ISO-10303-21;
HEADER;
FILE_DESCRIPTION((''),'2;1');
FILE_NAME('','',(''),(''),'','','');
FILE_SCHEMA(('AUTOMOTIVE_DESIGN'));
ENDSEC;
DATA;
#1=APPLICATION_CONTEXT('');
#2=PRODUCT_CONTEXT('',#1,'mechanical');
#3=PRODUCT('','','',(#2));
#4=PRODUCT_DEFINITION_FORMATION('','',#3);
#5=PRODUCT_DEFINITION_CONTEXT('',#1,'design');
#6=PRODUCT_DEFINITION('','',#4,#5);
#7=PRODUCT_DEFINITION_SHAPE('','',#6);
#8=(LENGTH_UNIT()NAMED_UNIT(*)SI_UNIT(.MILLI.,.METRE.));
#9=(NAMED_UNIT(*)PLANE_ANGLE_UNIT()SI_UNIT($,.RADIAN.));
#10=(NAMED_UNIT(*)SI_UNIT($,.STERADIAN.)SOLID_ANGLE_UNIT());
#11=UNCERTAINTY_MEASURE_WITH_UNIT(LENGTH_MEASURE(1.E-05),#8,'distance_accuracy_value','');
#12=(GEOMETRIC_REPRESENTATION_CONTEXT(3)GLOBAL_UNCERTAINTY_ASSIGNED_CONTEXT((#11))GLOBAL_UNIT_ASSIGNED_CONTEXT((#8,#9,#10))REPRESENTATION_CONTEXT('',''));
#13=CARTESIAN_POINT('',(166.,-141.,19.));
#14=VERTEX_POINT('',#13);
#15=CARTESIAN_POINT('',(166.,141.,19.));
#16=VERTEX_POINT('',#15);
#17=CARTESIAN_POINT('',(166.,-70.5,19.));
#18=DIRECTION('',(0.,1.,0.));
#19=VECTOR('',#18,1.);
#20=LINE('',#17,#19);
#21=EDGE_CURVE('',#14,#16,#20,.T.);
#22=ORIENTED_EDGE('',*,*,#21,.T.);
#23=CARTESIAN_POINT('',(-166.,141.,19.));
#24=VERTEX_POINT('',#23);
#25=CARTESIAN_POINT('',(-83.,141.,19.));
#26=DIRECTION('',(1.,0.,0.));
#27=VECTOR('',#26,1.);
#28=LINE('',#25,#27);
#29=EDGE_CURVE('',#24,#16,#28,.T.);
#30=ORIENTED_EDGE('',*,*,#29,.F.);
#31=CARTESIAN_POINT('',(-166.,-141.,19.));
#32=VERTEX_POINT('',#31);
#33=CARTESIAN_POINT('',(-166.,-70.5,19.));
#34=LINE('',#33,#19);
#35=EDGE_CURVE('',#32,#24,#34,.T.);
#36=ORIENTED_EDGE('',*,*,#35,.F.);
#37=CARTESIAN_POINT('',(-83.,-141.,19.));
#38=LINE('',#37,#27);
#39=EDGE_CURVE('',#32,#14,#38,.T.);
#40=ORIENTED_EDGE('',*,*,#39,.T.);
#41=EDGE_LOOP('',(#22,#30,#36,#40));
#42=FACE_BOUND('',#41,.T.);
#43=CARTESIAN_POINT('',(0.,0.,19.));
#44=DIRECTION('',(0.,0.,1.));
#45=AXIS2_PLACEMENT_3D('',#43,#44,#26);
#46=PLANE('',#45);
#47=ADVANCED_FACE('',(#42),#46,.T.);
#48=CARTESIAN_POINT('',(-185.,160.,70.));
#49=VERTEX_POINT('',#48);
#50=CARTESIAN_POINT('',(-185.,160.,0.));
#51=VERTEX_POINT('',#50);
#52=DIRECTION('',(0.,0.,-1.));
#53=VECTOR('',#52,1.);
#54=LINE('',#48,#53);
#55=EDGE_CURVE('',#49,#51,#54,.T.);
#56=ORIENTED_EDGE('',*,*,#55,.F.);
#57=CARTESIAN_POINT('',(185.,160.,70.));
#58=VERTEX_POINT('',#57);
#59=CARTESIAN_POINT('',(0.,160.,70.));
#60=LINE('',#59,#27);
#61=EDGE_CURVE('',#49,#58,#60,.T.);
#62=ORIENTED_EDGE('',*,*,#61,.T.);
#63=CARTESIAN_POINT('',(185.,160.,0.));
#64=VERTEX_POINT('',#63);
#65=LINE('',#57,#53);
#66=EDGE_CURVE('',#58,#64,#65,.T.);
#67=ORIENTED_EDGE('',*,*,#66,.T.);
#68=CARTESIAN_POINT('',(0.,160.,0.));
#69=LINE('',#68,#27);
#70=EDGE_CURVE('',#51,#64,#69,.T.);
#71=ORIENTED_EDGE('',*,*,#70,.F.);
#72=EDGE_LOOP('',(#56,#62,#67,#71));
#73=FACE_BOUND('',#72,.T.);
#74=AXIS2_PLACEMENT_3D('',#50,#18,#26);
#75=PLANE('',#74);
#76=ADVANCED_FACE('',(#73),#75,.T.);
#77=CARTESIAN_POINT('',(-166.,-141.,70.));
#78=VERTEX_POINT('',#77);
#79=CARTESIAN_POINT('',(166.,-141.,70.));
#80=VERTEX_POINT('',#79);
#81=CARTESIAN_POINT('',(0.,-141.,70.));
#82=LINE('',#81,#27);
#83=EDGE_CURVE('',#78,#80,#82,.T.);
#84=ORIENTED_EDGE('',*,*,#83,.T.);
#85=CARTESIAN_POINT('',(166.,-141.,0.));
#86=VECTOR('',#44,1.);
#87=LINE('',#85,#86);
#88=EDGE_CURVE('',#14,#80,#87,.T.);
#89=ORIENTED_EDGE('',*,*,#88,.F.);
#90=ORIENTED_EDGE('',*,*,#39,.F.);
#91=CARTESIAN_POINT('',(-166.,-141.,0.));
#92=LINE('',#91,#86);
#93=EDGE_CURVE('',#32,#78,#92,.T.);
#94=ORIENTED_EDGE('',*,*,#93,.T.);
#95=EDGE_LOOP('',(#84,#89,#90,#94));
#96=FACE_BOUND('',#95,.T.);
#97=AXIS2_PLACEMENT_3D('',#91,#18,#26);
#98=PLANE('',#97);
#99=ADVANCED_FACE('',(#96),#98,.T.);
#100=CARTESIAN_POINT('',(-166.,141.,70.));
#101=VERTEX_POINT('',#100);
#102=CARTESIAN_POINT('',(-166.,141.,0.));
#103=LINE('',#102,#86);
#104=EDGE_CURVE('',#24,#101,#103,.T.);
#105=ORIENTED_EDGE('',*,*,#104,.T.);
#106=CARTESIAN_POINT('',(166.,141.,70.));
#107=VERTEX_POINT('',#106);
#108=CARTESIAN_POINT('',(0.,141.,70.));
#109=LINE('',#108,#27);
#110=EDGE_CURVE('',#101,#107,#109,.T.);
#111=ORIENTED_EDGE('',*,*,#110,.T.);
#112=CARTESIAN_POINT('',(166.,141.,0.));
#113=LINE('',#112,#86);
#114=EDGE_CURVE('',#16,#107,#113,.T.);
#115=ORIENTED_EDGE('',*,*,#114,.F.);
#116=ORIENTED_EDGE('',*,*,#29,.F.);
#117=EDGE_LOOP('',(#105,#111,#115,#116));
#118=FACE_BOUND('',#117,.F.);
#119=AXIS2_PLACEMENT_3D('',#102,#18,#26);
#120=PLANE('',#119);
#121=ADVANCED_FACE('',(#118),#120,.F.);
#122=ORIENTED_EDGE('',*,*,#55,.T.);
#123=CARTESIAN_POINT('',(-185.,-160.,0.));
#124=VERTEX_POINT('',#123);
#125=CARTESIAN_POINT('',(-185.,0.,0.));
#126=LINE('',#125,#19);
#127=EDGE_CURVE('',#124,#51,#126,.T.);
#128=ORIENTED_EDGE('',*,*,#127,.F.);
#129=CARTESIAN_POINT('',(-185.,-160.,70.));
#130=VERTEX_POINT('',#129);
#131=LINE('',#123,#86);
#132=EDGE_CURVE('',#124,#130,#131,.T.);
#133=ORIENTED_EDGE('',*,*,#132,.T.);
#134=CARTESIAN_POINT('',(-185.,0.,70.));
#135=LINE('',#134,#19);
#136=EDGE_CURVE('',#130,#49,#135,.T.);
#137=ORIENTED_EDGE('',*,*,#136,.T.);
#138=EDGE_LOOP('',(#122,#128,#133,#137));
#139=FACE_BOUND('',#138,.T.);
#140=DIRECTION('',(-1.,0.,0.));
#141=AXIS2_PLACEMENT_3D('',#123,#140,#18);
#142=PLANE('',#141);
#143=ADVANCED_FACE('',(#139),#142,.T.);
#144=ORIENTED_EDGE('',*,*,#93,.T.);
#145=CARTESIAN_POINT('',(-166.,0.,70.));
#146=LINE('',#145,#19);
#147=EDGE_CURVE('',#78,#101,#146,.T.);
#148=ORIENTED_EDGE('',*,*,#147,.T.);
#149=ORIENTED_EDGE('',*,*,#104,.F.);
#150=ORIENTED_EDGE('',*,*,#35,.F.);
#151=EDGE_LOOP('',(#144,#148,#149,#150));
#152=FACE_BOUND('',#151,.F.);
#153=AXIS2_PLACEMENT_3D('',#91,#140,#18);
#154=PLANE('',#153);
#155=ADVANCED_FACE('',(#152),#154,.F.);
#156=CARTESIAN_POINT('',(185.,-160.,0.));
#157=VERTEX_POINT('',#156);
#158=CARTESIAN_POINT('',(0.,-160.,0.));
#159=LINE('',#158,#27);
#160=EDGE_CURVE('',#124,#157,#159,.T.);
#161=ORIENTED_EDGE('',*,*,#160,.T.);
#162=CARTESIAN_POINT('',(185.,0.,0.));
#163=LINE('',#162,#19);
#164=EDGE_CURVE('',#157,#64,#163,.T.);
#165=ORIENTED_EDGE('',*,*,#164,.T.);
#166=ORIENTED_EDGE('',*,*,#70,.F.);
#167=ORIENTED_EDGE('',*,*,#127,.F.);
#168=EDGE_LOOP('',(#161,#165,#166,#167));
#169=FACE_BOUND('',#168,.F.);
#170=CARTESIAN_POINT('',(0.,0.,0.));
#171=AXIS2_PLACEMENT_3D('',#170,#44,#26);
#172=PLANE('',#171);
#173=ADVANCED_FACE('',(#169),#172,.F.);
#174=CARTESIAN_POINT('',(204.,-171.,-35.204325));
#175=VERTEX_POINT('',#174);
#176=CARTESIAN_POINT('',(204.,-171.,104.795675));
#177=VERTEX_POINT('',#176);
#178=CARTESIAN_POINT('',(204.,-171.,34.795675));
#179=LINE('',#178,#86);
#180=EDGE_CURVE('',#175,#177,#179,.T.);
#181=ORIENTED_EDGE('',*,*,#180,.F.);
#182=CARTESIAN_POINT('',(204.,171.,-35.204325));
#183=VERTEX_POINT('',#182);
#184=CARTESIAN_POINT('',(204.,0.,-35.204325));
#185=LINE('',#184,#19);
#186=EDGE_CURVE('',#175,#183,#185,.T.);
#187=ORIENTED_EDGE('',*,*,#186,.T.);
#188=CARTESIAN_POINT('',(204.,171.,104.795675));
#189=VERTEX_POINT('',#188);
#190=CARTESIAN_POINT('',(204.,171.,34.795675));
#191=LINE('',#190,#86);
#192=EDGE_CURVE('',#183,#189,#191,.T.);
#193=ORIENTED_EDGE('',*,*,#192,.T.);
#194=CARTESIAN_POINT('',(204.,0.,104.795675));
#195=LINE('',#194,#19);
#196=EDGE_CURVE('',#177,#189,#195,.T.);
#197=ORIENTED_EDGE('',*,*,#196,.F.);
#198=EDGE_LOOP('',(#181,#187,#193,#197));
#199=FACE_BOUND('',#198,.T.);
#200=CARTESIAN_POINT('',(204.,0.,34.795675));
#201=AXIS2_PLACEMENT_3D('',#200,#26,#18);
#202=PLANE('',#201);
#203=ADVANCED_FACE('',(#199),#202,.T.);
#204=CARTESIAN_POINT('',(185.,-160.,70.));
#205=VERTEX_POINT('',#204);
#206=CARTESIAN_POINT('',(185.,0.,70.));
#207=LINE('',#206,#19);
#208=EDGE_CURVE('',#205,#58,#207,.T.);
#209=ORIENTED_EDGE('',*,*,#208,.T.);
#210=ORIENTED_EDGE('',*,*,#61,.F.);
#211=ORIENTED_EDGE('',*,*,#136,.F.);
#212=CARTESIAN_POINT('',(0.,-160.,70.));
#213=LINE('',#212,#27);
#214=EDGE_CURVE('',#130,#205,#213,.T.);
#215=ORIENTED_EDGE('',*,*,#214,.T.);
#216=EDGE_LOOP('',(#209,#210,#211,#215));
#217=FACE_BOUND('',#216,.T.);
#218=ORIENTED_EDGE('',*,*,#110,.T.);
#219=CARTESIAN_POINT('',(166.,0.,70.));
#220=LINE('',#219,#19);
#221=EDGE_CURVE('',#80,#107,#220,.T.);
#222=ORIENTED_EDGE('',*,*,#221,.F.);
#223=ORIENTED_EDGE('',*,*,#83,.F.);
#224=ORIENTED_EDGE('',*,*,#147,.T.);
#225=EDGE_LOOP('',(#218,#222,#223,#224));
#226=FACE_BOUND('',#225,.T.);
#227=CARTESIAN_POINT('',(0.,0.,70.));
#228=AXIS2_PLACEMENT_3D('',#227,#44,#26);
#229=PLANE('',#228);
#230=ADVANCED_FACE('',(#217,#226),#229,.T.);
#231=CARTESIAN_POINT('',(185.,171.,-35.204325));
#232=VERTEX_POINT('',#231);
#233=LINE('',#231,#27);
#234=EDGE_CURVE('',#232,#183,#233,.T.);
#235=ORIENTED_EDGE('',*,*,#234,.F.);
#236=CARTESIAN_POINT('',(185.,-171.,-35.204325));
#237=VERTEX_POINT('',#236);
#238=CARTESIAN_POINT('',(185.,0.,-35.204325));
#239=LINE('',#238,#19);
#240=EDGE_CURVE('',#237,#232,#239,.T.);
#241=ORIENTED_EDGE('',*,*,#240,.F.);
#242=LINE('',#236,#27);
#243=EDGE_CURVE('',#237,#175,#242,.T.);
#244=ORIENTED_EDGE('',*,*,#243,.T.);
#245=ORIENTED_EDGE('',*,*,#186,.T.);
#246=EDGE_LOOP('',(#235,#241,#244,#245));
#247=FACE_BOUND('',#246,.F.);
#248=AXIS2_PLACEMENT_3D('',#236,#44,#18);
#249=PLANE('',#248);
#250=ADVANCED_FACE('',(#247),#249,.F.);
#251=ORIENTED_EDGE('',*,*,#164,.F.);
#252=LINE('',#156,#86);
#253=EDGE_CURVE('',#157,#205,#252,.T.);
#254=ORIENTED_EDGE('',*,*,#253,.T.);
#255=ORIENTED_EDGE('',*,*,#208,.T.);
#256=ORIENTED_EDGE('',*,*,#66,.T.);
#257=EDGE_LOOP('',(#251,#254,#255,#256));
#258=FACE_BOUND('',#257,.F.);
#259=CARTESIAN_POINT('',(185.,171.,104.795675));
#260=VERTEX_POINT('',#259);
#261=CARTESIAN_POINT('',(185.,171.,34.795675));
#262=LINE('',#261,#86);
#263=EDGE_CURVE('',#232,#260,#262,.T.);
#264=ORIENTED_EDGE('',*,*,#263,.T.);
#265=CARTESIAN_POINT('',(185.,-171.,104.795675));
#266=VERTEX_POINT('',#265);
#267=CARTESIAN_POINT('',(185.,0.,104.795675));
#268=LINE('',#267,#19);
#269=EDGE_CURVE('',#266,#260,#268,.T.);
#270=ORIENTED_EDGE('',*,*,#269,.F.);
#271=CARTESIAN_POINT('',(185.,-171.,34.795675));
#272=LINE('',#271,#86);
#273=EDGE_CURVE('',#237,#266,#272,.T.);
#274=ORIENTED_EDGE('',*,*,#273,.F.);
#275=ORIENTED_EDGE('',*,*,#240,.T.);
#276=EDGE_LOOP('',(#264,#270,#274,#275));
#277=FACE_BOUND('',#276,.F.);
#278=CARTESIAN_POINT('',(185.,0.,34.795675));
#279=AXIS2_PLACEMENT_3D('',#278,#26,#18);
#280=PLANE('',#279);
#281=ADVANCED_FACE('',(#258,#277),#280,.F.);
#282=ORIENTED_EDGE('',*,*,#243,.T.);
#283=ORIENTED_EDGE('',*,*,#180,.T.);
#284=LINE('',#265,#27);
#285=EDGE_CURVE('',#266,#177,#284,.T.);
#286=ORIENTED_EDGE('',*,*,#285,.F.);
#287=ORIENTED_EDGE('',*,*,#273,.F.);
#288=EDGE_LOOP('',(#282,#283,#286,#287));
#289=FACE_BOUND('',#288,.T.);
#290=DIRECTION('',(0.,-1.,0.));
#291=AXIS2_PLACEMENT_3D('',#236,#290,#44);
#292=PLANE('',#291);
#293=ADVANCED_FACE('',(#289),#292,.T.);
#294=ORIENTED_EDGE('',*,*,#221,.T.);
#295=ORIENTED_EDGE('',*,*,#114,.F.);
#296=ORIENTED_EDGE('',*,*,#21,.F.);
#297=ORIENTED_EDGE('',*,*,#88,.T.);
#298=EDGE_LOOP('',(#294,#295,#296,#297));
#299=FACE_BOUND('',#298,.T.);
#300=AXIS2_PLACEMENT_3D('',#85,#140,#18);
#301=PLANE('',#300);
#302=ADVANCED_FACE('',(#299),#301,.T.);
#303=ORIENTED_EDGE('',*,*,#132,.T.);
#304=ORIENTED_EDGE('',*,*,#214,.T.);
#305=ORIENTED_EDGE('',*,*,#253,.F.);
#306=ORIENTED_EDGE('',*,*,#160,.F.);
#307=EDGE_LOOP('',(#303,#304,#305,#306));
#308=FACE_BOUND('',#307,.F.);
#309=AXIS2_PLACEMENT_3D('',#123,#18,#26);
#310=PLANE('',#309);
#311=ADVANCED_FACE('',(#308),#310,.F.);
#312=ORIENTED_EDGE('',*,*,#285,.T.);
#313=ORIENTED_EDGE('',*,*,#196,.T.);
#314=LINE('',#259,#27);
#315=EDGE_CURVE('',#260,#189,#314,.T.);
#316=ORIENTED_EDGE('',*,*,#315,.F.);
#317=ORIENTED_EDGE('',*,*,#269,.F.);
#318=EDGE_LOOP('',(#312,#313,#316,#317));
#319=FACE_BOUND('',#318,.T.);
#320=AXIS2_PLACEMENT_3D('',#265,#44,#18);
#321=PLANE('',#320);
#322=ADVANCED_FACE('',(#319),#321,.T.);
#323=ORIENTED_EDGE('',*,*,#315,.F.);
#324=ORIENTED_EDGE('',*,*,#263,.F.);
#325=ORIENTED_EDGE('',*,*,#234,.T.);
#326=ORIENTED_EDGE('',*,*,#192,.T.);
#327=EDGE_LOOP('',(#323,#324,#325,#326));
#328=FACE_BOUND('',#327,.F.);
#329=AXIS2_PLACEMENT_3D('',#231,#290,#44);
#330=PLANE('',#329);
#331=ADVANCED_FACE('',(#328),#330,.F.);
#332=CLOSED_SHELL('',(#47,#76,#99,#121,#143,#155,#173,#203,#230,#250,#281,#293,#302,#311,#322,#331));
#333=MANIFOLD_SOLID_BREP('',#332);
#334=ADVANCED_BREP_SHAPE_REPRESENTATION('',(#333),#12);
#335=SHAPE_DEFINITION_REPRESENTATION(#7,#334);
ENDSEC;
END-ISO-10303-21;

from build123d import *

# Parameters (mm, degrees)
F1_W     = 370
F1_H     = 320
F1_W_2   = 332
F1_H_2   = 282
F2_DEPTH = 70
F0_W     = 370
F0_H     = 320
F3_DEPTH = 19
F4_W     = 342
F4_H     = 140
F4_W_2   = 320
F4_H_2   = 70
F5_DEPTH = 19


with BuildPart() as f2:
    # F1 (on face) → F2 (new body)
    with BuildSketch(Plane.XY):
        Rectangle(F1_W, F1_H)
        Rectangle(F1_W_2, F1_H_2, mode=Mode.SUBTRACT)
    extrude(amount=F2_DEPTH)

    # F0 (on Top) → F3 (join)
    with BuildSketch(Plane.XY):
        Rectangle(F0_W, F0_H)
    extrude(amount=F3_DEPTH)

    # F4 (on face) → F5 (join)
    with BuildSketch(Plane.YZ.offset(185)):
        with Locations((0, 34.795675)):
            Rectangle(F4_W, F4_H)
        with Locations((0, 35)):
            Rectangle(F4_W_2, F4_H_2, mode=Mode.SUBTRACT)
        with Locations((0, 35)):
            Rectangle(F4_W_2, F4_H_2)
    extrude(amount=F5_DEPTH)


solid = f2.part
